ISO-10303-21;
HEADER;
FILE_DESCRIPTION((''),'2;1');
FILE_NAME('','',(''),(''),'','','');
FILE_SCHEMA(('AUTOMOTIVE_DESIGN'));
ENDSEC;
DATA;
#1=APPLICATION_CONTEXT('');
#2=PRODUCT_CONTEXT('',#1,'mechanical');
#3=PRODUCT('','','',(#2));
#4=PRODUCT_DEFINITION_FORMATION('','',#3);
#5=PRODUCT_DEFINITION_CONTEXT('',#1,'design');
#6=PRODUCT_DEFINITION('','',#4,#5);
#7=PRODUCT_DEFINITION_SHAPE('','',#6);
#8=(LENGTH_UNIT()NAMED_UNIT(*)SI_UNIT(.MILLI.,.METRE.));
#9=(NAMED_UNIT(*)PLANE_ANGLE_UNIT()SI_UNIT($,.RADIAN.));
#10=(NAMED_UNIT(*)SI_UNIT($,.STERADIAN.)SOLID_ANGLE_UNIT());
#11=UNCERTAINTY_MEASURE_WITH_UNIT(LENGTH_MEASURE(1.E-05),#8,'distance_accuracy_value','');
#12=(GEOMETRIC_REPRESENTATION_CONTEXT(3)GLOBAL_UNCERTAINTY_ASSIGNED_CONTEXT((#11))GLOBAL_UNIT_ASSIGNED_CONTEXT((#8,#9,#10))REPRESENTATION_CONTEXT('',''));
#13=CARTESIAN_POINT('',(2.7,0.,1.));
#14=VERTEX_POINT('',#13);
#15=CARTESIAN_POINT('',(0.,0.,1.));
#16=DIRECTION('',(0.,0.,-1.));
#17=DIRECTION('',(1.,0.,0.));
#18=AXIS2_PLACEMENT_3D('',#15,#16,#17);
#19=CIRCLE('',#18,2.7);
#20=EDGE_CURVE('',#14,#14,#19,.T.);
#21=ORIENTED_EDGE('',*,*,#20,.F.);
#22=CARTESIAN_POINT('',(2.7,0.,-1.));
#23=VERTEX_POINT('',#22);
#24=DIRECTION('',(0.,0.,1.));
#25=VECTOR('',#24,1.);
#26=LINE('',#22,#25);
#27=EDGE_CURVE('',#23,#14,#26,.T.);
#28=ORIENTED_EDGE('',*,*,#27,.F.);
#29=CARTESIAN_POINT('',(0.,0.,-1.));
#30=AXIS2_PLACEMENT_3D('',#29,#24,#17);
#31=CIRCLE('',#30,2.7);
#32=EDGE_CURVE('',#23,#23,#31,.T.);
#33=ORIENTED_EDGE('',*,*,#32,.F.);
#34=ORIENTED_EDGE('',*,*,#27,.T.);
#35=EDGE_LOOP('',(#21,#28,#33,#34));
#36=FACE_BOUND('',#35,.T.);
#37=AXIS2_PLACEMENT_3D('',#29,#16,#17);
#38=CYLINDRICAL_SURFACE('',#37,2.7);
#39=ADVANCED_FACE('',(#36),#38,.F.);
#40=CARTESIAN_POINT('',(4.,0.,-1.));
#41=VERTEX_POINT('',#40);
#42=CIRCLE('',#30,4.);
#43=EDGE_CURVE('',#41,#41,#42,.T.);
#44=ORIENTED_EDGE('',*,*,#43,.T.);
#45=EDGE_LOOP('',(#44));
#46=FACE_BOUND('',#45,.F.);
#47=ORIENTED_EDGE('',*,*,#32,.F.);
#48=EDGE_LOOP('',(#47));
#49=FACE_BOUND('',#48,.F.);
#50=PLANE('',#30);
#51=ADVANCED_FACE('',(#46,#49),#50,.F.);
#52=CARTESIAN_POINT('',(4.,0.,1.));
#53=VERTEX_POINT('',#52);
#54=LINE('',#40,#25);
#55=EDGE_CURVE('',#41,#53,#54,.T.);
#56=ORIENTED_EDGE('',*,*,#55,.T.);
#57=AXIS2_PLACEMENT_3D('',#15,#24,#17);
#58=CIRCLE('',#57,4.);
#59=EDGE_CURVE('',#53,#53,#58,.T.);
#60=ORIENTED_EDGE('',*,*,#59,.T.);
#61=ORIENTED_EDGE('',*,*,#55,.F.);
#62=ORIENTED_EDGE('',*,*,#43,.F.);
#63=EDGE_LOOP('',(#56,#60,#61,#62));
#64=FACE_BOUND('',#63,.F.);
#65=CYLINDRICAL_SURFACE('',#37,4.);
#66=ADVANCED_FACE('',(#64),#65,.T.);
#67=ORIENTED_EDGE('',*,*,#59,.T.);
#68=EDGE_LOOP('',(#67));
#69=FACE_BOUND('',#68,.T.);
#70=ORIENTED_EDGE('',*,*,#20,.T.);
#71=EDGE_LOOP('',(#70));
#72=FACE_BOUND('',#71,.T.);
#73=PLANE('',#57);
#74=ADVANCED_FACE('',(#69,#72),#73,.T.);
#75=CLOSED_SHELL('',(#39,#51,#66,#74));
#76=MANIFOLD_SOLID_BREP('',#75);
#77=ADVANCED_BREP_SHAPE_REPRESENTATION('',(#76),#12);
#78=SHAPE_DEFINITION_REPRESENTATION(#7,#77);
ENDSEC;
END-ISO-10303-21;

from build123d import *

# Parameters (mm, degrees)
CYLINDER014005848_R     = 2.7
CYLINDER014005848_DEPTH = 3
CYLINDER014005847_R     = 4
CYLINDER014005847_DEPTH = 2


with BuildPart() as v_lec741:
    # Cylinder014005848 → Cylinder014005848 (new body)
    with BuildSketch(Plane.XY.offset(-1)):
        Circle(CYLINDER014005848_R)
    extrude(amount=CYLINDER014005848_DEPTH)


with BuildPart() as podlozka:
    # Cylinder014005847 → Cylinder014005847 (new body)
    with BuildSketch(Plane.XY.offset(-1)):
        Circle(CYLINDER014005847_R)
    extrude(amount=CYLINDER014005847_DEPTH)

    # Cut061311: cut Válec741
    add(v_lec741.part, mode=Mode.SUBTRACT)


solid = podlozka.part
